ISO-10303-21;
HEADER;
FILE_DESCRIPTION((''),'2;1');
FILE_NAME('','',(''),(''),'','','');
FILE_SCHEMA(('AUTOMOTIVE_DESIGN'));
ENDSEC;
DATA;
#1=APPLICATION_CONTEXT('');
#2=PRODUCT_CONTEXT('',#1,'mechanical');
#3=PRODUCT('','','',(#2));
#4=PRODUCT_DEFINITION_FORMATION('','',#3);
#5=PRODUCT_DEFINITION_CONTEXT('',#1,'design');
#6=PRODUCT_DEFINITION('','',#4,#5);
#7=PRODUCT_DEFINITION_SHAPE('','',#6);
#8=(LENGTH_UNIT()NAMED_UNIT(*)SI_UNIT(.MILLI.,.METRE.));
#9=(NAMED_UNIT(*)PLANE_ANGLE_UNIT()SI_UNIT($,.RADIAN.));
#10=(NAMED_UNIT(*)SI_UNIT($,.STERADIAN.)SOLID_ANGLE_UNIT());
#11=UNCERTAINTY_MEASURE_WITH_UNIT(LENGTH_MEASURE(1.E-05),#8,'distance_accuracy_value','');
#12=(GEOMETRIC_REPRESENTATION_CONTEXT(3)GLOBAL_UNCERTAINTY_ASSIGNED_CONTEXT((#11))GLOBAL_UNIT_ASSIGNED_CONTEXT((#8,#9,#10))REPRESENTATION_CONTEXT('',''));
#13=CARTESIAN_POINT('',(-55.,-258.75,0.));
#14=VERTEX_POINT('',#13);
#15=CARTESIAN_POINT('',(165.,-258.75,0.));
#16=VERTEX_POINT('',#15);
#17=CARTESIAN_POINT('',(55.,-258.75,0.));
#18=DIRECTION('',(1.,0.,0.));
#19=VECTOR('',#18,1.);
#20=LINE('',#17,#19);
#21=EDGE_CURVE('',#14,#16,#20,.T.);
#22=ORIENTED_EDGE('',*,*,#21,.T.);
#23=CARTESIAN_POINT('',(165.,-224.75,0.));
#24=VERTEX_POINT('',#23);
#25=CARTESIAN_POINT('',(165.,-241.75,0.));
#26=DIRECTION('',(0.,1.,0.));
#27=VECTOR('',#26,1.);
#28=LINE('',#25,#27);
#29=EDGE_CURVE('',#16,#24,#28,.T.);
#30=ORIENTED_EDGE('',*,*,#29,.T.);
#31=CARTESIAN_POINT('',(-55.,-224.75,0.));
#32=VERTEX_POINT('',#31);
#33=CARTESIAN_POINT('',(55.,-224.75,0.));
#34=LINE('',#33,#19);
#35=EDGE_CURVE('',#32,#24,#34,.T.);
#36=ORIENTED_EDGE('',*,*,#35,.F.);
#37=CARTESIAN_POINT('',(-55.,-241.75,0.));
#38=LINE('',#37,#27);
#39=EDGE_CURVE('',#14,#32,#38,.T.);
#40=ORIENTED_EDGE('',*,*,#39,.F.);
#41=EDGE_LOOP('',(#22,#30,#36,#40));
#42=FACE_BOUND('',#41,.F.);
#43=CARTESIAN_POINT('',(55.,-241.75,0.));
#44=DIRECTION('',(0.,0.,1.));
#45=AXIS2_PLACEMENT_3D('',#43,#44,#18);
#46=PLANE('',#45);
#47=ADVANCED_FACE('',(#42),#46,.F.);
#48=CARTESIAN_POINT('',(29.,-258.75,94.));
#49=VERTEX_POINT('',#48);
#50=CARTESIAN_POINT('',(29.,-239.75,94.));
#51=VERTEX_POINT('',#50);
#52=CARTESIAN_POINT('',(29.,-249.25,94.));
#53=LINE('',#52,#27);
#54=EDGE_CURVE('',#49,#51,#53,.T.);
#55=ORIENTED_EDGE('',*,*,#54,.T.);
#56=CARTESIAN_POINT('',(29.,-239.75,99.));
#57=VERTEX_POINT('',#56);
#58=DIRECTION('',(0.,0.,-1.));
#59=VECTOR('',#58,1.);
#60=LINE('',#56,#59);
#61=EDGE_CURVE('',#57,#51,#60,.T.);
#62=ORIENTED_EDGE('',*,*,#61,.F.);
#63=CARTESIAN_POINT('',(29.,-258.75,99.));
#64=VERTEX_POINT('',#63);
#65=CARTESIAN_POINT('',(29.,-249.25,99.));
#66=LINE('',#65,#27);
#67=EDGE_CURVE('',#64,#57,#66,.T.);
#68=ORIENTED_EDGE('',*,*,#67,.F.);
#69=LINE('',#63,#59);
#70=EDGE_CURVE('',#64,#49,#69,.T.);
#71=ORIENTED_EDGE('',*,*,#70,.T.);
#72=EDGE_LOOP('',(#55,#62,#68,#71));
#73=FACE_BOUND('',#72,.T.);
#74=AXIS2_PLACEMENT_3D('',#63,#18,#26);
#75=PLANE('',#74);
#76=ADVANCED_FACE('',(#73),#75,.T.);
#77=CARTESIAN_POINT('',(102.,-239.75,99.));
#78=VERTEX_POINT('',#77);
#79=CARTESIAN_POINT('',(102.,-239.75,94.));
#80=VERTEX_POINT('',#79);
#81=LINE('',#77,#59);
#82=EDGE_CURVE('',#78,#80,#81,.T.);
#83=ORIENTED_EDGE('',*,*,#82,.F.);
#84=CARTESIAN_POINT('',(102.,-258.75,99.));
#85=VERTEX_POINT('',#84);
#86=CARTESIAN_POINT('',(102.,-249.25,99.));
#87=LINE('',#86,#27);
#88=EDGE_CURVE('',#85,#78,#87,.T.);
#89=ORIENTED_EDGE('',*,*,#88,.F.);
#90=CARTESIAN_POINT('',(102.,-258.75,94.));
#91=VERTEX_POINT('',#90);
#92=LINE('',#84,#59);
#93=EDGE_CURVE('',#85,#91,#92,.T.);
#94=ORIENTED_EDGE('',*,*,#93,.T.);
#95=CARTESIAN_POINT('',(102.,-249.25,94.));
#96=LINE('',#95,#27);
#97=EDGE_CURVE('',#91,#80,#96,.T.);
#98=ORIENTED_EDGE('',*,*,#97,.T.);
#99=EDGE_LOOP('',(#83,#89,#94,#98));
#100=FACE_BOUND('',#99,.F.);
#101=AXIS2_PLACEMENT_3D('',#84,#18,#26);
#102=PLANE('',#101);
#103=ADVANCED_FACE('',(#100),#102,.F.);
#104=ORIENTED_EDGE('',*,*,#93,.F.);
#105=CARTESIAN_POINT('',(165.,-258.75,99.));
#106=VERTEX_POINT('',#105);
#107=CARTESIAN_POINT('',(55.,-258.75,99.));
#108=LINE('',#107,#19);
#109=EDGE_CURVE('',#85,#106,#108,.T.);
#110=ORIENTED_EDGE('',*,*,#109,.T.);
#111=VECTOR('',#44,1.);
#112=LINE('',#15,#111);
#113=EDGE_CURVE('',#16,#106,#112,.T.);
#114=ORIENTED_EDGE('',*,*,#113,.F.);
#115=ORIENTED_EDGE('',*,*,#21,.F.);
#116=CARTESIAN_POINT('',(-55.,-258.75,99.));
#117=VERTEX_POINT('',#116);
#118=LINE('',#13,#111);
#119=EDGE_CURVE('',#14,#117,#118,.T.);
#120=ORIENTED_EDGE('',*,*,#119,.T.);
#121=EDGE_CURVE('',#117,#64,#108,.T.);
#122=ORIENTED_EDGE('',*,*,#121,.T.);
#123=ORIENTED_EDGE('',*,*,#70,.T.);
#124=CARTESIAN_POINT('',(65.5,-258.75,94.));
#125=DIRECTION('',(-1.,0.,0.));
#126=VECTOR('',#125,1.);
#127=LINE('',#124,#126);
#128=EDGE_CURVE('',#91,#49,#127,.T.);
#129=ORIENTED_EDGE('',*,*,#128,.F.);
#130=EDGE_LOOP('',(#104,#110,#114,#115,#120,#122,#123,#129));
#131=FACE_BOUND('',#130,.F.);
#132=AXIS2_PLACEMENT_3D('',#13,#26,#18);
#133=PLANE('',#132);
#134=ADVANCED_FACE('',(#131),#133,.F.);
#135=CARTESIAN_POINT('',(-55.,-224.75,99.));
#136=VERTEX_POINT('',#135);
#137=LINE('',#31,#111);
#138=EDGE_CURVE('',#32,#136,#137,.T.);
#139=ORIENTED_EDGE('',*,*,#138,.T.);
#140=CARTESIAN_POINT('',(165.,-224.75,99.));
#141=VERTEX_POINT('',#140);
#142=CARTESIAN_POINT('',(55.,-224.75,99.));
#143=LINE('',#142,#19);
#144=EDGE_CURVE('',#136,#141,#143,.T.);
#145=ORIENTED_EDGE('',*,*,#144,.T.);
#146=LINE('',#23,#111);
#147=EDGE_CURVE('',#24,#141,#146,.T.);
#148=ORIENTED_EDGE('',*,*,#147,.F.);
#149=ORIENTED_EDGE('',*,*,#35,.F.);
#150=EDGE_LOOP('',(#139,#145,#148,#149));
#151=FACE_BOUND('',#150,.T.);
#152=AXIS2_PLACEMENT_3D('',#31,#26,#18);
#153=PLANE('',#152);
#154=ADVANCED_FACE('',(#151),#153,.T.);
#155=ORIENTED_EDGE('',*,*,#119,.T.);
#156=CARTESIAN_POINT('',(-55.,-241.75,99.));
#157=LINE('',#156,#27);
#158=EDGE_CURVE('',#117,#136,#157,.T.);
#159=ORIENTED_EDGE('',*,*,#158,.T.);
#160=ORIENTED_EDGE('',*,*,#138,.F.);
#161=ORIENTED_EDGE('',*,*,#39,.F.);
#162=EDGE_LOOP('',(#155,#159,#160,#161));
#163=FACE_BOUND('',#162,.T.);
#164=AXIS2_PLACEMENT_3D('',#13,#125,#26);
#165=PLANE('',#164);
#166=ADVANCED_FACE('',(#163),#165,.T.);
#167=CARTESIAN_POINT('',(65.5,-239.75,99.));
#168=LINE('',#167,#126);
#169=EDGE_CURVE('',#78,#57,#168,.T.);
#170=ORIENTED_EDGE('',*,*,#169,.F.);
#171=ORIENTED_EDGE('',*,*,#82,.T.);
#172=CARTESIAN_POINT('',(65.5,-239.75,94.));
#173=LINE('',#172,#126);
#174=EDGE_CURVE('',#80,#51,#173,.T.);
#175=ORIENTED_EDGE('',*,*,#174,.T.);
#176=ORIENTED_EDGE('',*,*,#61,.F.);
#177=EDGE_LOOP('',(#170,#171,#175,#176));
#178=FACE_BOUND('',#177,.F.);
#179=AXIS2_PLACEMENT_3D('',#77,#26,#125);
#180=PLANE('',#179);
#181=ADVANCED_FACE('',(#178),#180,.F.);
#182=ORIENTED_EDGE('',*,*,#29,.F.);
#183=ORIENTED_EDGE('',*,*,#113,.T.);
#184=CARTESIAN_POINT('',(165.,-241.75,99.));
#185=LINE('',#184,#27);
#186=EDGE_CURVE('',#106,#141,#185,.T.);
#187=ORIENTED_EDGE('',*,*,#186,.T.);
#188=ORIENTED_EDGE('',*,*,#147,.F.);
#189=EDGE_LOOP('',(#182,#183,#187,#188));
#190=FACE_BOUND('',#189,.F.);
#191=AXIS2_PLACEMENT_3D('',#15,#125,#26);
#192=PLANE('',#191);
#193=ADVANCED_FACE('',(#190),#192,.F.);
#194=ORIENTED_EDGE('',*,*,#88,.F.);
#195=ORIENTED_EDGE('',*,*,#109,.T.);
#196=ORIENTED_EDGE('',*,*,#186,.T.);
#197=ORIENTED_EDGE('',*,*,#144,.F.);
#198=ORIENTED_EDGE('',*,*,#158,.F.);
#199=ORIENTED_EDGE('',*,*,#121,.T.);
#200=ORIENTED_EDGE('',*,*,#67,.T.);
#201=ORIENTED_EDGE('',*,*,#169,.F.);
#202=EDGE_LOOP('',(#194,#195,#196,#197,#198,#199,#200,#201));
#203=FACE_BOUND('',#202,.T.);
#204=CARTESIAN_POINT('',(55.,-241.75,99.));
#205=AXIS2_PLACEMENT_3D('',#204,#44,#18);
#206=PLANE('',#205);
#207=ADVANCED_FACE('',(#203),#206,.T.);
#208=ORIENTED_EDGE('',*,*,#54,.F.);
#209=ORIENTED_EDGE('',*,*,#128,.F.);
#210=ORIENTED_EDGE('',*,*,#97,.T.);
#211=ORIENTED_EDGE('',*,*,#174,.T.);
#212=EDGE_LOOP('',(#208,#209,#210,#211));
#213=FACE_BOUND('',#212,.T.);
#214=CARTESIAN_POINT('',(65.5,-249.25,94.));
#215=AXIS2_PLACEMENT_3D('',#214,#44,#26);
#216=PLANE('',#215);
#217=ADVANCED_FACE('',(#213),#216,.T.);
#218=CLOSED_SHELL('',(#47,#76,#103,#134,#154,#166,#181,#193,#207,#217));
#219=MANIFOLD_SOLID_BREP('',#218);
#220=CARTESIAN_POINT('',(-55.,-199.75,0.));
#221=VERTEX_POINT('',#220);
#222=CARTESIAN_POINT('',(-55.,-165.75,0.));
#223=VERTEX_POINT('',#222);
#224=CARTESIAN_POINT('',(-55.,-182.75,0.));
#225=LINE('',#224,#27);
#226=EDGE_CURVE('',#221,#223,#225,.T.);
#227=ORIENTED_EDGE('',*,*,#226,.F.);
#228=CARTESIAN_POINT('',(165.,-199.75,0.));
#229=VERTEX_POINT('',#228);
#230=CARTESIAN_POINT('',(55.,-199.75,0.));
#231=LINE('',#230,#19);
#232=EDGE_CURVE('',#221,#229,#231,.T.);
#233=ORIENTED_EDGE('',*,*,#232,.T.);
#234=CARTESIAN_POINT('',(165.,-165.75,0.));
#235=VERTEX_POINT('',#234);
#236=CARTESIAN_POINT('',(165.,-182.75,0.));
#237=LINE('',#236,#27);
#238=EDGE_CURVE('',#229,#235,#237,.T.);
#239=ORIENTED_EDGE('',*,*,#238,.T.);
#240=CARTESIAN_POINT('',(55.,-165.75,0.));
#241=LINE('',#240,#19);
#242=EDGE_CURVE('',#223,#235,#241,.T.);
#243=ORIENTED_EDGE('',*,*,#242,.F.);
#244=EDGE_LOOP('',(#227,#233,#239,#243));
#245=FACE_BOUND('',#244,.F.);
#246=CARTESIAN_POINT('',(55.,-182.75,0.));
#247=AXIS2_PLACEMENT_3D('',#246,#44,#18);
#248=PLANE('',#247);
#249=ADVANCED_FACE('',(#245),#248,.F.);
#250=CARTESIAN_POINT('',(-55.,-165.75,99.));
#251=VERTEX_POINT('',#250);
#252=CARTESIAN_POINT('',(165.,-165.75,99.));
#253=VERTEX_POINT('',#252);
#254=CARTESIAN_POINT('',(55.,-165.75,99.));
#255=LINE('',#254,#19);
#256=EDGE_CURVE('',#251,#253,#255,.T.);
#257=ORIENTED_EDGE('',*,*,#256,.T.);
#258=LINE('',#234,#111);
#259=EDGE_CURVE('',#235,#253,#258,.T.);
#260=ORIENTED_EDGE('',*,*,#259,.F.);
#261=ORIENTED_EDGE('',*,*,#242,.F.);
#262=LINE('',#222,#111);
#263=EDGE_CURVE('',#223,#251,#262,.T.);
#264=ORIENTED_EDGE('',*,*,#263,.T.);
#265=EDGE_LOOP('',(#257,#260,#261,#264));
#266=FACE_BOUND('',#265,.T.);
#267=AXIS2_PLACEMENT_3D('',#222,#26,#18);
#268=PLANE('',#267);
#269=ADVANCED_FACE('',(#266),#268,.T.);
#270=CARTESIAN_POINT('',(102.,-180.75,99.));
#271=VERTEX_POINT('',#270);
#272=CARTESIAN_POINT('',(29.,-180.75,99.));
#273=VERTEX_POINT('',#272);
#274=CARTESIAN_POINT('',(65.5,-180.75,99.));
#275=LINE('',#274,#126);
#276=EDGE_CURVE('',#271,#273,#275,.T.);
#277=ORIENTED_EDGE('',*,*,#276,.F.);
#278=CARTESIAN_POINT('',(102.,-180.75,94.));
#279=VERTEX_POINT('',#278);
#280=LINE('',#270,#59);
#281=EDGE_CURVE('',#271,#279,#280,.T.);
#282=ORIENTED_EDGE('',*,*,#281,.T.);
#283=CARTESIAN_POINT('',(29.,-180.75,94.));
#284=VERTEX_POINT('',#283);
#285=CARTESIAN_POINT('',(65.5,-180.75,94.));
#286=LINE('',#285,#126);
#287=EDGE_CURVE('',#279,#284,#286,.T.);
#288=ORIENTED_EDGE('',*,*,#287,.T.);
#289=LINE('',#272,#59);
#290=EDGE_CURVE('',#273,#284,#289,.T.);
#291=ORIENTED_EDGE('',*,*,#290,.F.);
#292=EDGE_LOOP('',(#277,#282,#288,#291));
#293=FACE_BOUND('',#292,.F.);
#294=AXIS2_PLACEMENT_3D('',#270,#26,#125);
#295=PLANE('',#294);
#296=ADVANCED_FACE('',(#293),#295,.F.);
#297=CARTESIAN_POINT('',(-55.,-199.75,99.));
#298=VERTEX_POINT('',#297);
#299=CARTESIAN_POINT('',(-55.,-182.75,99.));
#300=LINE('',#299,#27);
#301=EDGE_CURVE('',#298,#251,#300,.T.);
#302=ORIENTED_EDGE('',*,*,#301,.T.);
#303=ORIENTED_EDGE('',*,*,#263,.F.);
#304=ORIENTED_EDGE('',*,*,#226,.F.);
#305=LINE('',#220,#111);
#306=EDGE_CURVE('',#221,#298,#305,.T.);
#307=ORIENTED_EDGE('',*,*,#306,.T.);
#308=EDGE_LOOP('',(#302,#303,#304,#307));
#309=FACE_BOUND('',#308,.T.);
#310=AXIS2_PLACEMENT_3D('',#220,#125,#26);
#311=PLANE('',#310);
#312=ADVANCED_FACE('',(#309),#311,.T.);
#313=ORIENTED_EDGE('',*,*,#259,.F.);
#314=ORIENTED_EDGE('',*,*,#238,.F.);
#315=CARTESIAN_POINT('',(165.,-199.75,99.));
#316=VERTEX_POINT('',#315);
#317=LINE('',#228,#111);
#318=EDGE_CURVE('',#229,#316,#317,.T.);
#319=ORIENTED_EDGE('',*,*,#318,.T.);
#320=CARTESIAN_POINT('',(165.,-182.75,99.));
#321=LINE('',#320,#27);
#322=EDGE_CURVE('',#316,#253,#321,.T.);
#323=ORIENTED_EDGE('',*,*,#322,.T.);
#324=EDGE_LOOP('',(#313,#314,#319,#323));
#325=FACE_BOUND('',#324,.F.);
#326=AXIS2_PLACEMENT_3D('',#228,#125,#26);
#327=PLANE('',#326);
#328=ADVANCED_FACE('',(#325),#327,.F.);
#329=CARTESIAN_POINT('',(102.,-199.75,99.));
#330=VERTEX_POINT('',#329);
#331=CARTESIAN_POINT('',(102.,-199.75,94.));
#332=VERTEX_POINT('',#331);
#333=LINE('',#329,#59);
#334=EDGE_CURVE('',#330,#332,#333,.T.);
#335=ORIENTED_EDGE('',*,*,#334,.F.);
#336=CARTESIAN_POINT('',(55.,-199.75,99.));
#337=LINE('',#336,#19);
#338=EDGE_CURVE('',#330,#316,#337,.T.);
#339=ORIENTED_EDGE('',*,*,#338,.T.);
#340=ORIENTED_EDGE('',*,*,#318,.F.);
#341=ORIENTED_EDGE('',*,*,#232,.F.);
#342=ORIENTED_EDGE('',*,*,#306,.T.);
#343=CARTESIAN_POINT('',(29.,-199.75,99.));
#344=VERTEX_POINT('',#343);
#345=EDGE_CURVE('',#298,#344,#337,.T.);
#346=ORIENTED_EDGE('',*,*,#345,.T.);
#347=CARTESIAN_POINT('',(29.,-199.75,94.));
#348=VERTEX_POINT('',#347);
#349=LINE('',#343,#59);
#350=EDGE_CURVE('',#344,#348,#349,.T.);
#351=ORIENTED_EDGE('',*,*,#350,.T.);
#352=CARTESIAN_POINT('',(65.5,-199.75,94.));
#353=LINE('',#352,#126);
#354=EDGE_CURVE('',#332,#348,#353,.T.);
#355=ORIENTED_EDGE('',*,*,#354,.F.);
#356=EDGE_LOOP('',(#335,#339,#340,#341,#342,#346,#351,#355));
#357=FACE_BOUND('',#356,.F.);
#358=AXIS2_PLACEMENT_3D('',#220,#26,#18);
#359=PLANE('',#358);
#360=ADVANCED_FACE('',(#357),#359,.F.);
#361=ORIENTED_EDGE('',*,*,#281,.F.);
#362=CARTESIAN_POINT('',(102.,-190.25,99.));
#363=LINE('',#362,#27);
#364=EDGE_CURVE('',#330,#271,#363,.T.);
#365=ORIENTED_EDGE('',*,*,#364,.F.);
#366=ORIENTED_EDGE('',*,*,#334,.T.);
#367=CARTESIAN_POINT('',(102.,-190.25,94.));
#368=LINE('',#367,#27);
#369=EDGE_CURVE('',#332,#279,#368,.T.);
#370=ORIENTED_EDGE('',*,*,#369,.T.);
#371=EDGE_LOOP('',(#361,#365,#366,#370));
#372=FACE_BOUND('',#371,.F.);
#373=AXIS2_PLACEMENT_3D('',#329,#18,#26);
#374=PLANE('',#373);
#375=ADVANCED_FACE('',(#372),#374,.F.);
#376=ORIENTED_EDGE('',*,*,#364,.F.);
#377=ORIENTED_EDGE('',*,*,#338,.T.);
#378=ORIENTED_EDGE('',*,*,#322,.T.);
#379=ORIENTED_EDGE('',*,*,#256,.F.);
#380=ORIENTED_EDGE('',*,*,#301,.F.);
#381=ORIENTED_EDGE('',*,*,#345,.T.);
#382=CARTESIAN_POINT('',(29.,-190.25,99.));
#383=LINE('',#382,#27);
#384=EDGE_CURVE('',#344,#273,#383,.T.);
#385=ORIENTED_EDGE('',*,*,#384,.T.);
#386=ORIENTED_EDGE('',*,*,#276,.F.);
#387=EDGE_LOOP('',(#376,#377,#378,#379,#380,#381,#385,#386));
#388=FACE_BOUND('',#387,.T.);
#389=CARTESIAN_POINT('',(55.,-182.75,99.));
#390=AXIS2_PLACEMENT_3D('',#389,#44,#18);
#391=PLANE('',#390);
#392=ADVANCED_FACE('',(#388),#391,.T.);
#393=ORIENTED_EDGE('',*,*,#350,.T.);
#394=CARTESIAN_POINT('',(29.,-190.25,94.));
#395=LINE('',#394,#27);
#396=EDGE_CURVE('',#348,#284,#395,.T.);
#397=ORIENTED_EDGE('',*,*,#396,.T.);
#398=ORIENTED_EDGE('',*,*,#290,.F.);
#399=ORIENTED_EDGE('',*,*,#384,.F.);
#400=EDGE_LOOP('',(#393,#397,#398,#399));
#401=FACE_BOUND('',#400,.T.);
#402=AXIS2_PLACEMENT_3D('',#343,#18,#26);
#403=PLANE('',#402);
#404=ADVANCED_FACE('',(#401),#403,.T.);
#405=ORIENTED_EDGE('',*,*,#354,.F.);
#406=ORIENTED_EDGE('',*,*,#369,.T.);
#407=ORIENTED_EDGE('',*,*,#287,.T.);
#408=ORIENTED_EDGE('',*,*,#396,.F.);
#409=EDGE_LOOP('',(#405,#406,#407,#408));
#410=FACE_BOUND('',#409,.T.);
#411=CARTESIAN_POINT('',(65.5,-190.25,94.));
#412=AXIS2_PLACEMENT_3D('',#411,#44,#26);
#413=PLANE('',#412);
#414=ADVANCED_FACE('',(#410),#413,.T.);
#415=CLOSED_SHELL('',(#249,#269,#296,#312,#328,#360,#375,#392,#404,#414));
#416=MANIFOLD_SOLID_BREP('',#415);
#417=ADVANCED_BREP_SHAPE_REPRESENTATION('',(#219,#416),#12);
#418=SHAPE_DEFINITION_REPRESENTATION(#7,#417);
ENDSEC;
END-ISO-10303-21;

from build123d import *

# Parameters (mm, degrees)
SKETCH001005015_W = 19
SKETCH001005015_H = 73
EXTRUDE013_DEPTH  = 5
SKETCH001005004_W = 220
SKETCH001005004_H = 34
EXTRUDE012_DEPTH  = 99


with BuildPart() as con_holes:
    # Sketch001005015 (on Face12 of Extrude012) → Extrude013 (new body)
    with BuildSketch(Plane(origin=(55, -212.25, 99), x_dir=(0, 1, 0), z_dir=(0, 0, 1))):
        with Locations((22, -10.5)):
            Rectangle(SKETCH001005015_W, SKETCH001005015_H)
        with Locations((-37, -10.5)):
            Rectangle(SKETCH001005015_W, SKETCH001005015_H)
    extrude(amount=-EXTRUDE013_DEPTH)


with BuildPart() as gpus:
    # Sketch001005004 → Extrude012 (new body)
    with BuildSketch(Plane.XY):
        with Locations((55, -182.75)):
            Rectangle(SKETCH001005004_W, SKETCH001005004_H)
        with Locations((55, -241.75)):
            Rectangle(SKETCH001005004_W, SKETCH001005004_H)
    extrude(amount=EXTRUDE012_DEPTH)

    # Cut002: cut Con-Holes
    add(con_holes.part, mode=Mode.SUBTRACT)


solid = gpus.part
